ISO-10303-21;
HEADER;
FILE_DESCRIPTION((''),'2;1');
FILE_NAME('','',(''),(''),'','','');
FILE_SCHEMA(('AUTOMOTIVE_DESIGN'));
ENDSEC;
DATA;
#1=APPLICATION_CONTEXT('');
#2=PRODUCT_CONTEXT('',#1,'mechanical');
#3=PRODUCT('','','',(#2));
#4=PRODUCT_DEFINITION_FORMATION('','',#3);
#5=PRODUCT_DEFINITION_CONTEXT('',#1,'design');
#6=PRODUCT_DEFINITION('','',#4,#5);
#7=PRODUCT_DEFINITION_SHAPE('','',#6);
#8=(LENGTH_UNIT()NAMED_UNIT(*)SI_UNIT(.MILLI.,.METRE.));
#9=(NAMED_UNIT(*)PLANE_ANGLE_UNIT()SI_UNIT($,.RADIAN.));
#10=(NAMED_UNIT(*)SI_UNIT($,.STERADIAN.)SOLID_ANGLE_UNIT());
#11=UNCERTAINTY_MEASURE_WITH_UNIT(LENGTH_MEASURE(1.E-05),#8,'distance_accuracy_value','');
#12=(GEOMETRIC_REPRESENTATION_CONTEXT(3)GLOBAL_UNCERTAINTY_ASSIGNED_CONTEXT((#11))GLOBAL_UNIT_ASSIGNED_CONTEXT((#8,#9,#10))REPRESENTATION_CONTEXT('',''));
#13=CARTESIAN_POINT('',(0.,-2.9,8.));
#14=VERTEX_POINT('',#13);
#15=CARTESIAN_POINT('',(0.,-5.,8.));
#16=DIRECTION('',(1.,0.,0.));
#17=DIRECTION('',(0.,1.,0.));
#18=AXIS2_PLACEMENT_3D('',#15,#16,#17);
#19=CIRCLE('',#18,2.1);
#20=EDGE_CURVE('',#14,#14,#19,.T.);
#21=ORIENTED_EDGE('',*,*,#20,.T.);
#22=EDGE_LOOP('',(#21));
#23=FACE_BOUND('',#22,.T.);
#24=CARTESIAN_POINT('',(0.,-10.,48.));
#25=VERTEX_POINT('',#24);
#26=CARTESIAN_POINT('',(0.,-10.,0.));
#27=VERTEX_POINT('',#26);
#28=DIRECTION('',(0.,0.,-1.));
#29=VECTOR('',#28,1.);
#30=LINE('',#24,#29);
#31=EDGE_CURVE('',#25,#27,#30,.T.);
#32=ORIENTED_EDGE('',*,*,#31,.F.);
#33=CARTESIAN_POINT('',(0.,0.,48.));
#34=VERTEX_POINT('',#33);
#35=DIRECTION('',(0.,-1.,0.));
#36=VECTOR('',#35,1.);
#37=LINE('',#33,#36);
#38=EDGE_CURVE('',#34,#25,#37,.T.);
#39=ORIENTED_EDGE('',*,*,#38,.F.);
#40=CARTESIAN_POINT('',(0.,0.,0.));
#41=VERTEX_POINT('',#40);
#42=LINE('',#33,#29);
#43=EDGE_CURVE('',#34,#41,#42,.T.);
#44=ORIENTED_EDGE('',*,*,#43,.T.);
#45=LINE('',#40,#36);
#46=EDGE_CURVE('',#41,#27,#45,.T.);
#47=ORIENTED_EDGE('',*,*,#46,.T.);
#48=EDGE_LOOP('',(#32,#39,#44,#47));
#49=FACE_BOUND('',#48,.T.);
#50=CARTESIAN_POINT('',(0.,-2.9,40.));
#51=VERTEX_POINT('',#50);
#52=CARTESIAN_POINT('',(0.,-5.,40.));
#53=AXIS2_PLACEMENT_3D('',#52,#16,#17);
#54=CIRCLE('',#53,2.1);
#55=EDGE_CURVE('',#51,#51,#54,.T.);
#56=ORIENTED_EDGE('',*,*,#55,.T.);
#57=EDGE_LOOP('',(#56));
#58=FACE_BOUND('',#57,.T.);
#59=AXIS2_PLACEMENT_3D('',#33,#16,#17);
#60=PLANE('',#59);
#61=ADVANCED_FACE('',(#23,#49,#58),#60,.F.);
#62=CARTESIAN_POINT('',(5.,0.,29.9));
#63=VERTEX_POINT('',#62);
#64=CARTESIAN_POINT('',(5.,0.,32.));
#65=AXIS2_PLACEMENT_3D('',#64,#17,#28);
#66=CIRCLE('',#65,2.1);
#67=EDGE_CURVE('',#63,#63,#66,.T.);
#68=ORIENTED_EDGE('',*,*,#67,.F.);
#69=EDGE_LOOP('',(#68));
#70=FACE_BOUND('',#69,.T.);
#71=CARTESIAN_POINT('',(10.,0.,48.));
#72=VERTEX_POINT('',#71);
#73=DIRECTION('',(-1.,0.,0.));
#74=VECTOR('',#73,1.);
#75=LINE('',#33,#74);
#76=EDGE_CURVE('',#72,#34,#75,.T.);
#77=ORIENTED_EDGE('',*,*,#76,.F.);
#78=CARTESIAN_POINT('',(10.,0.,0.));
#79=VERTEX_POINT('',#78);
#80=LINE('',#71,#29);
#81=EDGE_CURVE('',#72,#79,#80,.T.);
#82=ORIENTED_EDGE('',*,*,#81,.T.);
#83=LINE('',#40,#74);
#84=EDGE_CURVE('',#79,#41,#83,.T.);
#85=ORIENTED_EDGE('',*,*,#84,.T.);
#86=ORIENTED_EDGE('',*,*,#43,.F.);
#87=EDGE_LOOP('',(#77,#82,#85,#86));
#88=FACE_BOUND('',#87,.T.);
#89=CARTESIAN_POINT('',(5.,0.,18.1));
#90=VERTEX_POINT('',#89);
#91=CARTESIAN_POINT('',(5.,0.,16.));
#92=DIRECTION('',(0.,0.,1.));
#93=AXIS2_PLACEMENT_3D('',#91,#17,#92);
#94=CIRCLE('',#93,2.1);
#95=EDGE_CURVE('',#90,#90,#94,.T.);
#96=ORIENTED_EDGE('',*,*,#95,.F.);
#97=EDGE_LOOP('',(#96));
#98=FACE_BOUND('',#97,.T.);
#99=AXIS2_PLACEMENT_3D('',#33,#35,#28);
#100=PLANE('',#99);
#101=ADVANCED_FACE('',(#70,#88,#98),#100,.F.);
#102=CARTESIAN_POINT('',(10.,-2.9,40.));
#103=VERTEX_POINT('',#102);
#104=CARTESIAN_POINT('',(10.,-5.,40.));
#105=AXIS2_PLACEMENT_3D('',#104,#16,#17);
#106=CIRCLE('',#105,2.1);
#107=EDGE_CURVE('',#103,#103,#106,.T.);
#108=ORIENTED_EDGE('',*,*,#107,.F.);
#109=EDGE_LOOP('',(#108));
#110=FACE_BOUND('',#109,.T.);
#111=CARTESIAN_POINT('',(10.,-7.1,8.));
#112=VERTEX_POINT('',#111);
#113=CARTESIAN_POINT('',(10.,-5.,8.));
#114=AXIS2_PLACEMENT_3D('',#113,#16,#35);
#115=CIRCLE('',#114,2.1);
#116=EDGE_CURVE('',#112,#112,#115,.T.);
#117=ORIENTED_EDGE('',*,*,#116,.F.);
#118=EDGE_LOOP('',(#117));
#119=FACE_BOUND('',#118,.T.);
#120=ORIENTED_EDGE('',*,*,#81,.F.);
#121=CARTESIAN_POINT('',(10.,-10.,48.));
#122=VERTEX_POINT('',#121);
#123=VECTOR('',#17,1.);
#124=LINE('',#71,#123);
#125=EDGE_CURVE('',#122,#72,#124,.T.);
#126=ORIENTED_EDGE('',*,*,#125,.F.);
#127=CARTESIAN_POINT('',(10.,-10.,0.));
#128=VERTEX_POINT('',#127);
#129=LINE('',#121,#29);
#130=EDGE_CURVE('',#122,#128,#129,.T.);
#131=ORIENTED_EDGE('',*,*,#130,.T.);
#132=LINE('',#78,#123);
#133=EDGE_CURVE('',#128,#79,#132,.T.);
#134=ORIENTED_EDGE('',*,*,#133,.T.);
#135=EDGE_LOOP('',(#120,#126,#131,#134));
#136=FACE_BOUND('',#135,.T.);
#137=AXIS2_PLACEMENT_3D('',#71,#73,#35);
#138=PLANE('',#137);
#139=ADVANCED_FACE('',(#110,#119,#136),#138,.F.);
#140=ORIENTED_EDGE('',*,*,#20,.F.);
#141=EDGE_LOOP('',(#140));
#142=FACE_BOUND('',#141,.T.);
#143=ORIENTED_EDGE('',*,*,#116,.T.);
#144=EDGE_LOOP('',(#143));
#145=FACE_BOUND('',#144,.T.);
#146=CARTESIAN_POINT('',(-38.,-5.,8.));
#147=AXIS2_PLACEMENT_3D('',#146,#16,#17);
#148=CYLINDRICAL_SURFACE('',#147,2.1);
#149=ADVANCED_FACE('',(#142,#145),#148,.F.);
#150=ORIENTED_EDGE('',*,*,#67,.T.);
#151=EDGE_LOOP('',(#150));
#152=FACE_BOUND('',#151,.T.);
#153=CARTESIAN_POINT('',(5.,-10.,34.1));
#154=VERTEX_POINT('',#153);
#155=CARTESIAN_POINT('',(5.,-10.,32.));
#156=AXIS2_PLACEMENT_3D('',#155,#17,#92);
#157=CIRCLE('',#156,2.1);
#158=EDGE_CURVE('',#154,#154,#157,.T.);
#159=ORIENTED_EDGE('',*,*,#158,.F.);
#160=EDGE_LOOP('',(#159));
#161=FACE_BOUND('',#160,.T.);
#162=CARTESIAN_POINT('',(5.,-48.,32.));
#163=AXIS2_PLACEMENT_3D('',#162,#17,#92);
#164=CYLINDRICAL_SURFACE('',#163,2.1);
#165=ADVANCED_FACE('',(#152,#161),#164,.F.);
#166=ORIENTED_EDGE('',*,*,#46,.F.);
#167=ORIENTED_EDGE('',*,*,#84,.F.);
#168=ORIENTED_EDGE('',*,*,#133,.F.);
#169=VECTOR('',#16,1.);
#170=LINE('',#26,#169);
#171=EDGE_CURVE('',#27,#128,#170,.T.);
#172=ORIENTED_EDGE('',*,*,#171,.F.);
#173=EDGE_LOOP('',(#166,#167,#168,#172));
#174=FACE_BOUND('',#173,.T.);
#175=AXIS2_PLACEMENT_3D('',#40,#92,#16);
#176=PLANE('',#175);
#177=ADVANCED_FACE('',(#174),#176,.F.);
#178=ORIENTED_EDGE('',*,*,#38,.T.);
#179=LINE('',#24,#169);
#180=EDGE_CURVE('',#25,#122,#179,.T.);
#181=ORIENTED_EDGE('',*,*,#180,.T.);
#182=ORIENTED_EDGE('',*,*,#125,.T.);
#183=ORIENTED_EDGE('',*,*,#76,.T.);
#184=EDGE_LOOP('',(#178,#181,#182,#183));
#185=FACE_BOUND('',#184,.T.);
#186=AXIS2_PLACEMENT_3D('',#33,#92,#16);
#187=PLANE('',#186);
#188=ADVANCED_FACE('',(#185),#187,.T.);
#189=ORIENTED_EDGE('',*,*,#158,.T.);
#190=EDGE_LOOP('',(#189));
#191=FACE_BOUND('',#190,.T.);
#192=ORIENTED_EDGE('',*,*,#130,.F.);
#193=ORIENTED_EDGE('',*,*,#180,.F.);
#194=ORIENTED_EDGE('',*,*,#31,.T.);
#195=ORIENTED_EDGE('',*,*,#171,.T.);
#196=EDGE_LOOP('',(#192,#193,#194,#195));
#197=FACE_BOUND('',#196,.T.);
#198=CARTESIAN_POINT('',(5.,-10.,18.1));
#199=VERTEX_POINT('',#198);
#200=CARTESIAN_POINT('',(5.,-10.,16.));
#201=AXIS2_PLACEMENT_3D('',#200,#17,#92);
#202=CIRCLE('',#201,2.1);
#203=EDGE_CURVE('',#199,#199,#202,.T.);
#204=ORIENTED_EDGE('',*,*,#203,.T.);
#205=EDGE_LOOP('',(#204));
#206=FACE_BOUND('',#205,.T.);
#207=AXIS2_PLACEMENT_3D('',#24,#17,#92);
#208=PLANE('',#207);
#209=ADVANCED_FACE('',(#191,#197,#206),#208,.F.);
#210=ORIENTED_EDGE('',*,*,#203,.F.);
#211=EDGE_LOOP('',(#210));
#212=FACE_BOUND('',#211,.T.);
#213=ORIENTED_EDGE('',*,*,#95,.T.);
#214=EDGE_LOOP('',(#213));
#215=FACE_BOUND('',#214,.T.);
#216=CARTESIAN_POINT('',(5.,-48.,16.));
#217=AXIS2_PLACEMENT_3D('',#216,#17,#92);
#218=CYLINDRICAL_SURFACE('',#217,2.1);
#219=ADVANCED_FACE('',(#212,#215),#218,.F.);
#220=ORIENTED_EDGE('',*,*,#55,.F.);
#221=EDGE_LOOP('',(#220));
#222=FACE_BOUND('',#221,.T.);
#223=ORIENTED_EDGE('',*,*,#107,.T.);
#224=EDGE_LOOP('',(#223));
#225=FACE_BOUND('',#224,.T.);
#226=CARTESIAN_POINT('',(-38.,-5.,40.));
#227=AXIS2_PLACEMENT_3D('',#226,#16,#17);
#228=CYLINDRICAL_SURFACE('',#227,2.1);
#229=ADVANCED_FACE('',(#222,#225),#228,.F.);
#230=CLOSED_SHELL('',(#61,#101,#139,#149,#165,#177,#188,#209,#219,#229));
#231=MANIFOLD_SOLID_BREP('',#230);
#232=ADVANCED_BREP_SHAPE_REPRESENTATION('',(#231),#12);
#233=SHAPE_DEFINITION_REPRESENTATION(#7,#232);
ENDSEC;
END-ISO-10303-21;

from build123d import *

# Parameters (mm, degrees)
SKETCH_1_W          = 10
SKETCH_1_H          = 10
EXTRUDE_1_DEPTH     = 48
SKETCH_2_R          = 2.1
CUT_EXTRUDE_1_DEPTH = 48
SKETCH_3_R          = 2.1
CUT_EXTRUDE_2_DEPTH = 48


with BuildPart() as part:
    # 草图1 → 凸台-拉伸1 (new body)
    with BuildSketch(Plane.XY):
        with Locations((5, -5)):
            Rectangle(SKETCH_1_W, SKETCH_1_H)
    extrude(amount=EXTRUDE_1_DEPTH)

    # 草图2 → 切除-拉伸1 (cut)
    with BuildSketch(Plane(origin=(10, 0, 0), x_dir=(0, 0, -1), z_dir=(1, 0, 0))):
        with Locations((-40, -5)):
            Circle(SKETCH_2_R)
        with Locations((-8, -5)):
            Circle(SKETCH_2_R)
    extrude(amount=-CUT_EXTRUDE_1_DEPTH, mode=Mode.SUBTRACT)

    # 草图3 → 切除-拉伸2 (cut)
    with BuildSketch(Plane(origin=(0, 0, 0), x_dir=(1, 0, 0), z_dir=(0, 1, 0))):
        with Locations((5, -16)):
            Circle(SKETCH_3_R)
        with Locations((5, -32)):
            Circle(SKETCH_3_R)
    extrude(amount=-CUT_EXTRUDE_2_DEPTH, mode=Mode.SUBTRACT)


solid = part.part
